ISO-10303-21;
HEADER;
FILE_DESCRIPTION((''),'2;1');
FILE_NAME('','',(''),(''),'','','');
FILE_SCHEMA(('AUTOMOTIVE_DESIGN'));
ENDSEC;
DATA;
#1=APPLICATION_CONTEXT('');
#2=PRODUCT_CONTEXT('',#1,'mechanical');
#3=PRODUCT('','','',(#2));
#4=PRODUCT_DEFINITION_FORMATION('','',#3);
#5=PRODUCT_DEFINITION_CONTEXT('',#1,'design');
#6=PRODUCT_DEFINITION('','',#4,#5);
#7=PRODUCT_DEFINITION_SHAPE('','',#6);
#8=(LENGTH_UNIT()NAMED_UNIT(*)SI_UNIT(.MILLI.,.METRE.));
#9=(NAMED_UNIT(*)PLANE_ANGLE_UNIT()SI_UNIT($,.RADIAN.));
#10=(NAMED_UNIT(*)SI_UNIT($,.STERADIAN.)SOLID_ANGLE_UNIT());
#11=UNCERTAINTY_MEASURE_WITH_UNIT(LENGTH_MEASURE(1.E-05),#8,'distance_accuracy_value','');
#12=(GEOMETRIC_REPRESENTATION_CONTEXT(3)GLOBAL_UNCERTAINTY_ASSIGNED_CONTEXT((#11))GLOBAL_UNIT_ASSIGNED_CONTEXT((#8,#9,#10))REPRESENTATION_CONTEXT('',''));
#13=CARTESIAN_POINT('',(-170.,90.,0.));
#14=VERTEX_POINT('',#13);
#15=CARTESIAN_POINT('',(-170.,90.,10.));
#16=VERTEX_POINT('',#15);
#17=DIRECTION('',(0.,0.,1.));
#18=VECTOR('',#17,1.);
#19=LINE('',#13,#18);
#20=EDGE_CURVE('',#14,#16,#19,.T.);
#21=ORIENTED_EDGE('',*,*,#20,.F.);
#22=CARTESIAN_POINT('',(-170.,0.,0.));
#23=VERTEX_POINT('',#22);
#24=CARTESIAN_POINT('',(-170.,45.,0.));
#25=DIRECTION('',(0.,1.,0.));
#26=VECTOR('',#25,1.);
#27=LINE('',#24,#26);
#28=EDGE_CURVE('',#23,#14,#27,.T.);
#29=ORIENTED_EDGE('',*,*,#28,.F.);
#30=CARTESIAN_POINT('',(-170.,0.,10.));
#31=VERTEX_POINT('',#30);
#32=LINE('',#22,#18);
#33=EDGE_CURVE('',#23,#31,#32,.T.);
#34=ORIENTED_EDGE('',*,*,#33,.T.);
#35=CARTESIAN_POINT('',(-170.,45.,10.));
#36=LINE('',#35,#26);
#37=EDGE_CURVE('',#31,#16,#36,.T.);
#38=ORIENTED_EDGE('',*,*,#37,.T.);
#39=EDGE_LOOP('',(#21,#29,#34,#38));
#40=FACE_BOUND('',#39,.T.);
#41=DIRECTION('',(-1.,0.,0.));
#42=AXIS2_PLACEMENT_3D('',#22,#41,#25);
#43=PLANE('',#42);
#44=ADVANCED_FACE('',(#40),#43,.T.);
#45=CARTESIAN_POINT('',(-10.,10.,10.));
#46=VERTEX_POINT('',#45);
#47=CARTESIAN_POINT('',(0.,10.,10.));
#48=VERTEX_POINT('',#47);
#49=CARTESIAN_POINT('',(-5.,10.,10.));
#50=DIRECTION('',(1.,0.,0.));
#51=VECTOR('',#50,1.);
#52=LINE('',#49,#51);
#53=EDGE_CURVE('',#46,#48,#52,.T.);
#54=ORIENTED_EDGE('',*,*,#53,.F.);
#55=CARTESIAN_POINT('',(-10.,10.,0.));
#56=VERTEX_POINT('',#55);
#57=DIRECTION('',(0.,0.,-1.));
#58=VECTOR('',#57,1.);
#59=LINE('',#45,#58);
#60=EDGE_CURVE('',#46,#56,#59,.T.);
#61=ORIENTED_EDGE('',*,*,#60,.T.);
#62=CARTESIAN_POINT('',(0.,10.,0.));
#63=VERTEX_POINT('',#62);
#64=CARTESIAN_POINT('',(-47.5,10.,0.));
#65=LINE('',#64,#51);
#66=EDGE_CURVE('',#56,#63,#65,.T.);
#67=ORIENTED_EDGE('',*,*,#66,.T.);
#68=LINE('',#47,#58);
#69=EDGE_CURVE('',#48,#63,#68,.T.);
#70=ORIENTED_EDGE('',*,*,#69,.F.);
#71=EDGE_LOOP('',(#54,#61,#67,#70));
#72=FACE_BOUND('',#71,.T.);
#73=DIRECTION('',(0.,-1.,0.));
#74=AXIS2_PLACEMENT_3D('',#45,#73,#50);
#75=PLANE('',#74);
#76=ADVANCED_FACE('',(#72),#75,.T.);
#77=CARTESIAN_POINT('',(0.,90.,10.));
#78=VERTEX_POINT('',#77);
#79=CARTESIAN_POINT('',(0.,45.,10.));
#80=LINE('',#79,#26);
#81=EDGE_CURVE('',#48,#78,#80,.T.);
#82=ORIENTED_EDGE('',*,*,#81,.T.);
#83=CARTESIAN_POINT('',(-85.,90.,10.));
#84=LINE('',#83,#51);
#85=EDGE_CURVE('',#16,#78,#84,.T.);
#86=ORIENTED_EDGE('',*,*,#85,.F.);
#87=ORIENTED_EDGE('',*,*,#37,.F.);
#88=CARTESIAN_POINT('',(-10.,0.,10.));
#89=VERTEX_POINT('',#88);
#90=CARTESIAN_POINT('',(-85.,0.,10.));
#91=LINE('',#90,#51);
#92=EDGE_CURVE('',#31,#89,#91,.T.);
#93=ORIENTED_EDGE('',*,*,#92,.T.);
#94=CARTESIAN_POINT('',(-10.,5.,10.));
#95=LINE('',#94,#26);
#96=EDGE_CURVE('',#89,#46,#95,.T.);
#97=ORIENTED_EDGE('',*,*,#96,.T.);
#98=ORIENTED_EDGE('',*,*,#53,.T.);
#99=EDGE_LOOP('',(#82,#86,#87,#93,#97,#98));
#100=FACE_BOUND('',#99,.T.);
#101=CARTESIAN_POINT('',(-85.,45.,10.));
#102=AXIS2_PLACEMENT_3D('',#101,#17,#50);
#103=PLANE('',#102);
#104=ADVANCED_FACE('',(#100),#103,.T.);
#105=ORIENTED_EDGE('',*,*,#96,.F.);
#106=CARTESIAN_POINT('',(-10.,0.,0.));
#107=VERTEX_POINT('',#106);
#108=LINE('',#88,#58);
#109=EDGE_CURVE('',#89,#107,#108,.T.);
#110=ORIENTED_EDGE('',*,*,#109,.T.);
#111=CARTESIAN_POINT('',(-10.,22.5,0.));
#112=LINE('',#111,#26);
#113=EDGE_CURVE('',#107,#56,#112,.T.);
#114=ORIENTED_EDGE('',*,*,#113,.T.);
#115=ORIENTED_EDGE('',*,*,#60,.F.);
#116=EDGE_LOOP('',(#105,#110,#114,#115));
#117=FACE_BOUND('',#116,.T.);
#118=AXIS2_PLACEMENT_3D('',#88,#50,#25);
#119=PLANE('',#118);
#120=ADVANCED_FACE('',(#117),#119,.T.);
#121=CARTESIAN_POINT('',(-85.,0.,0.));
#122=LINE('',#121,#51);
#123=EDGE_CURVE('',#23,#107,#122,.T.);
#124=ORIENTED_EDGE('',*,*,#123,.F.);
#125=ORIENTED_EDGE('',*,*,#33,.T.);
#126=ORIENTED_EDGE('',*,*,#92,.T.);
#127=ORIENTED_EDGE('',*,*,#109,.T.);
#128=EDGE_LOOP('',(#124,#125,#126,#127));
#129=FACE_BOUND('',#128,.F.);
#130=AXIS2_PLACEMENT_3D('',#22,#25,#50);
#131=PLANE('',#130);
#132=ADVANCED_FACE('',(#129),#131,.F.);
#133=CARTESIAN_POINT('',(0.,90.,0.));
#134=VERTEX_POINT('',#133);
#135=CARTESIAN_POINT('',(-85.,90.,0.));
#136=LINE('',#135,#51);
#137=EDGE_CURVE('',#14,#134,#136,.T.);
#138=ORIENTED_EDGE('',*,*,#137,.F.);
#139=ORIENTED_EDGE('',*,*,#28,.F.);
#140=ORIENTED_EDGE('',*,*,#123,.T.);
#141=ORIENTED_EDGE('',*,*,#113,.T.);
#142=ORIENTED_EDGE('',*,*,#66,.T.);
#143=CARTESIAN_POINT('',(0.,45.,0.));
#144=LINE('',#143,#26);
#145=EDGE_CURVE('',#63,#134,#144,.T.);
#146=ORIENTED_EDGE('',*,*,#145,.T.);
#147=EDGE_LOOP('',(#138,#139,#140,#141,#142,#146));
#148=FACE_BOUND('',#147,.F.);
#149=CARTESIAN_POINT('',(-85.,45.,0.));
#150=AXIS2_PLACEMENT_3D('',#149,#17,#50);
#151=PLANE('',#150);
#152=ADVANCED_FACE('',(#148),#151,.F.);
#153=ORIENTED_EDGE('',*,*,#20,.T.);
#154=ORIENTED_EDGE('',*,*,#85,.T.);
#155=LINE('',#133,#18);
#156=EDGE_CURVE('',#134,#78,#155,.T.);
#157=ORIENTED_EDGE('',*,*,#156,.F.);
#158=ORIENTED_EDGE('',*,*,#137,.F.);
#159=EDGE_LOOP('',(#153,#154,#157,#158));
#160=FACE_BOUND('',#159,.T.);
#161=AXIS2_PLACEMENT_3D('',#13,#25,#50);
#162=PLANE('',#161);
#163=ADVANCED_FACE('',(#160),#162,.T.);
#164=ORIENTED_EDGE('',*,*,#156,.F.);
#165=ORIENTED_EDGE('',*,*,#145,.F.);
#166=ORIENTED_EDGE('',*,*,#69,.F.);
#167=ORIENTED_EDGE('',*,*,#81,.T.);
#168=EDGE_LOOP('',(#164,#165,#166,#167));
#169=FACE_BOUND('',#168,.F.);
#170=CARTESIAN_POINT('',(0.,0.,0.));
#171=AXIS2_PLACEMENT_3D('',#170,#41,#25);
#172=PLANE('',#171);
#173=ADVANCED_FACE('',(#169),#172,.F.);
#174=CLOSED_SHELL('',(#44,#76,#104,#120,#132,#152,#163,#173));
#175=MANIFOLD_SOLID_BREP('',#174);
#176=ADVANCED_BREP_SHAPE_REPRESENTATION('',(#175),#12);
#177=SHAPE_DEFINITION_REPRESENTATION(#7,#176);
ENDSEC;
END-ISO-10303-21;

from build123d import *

# Parameters (mm, degrees)
SKETCH_W     = 170
SKETCH_H     = 90
PAD_DEPTH    = 10
SKETCH001_W  = 10
SKETCH001_H  = 10
POCKET_DEPTH = 10.001


with BuildPart() as part:
    # Sketch → Pad (new body)
    with BuildSketch(Plane.XY):
        with Locations((-85, 45)):
            Rectangle(SKETCH_W, SKETCH_H)
    extrude(amount=PAD_DEPTH)

    # Sketch001 (on Face6 of Pad) → Pocket (cut, through all)
    with BuildSketch(Plane.XY.offset(10)):
        with Locations((-5, 5)):
            Rectangle(SKETCH001_W, SKETCH001_H)
    extrude(amount=-POCKET_DEPTH, mode=Mode.SUBTRACT)


solid = part.part
